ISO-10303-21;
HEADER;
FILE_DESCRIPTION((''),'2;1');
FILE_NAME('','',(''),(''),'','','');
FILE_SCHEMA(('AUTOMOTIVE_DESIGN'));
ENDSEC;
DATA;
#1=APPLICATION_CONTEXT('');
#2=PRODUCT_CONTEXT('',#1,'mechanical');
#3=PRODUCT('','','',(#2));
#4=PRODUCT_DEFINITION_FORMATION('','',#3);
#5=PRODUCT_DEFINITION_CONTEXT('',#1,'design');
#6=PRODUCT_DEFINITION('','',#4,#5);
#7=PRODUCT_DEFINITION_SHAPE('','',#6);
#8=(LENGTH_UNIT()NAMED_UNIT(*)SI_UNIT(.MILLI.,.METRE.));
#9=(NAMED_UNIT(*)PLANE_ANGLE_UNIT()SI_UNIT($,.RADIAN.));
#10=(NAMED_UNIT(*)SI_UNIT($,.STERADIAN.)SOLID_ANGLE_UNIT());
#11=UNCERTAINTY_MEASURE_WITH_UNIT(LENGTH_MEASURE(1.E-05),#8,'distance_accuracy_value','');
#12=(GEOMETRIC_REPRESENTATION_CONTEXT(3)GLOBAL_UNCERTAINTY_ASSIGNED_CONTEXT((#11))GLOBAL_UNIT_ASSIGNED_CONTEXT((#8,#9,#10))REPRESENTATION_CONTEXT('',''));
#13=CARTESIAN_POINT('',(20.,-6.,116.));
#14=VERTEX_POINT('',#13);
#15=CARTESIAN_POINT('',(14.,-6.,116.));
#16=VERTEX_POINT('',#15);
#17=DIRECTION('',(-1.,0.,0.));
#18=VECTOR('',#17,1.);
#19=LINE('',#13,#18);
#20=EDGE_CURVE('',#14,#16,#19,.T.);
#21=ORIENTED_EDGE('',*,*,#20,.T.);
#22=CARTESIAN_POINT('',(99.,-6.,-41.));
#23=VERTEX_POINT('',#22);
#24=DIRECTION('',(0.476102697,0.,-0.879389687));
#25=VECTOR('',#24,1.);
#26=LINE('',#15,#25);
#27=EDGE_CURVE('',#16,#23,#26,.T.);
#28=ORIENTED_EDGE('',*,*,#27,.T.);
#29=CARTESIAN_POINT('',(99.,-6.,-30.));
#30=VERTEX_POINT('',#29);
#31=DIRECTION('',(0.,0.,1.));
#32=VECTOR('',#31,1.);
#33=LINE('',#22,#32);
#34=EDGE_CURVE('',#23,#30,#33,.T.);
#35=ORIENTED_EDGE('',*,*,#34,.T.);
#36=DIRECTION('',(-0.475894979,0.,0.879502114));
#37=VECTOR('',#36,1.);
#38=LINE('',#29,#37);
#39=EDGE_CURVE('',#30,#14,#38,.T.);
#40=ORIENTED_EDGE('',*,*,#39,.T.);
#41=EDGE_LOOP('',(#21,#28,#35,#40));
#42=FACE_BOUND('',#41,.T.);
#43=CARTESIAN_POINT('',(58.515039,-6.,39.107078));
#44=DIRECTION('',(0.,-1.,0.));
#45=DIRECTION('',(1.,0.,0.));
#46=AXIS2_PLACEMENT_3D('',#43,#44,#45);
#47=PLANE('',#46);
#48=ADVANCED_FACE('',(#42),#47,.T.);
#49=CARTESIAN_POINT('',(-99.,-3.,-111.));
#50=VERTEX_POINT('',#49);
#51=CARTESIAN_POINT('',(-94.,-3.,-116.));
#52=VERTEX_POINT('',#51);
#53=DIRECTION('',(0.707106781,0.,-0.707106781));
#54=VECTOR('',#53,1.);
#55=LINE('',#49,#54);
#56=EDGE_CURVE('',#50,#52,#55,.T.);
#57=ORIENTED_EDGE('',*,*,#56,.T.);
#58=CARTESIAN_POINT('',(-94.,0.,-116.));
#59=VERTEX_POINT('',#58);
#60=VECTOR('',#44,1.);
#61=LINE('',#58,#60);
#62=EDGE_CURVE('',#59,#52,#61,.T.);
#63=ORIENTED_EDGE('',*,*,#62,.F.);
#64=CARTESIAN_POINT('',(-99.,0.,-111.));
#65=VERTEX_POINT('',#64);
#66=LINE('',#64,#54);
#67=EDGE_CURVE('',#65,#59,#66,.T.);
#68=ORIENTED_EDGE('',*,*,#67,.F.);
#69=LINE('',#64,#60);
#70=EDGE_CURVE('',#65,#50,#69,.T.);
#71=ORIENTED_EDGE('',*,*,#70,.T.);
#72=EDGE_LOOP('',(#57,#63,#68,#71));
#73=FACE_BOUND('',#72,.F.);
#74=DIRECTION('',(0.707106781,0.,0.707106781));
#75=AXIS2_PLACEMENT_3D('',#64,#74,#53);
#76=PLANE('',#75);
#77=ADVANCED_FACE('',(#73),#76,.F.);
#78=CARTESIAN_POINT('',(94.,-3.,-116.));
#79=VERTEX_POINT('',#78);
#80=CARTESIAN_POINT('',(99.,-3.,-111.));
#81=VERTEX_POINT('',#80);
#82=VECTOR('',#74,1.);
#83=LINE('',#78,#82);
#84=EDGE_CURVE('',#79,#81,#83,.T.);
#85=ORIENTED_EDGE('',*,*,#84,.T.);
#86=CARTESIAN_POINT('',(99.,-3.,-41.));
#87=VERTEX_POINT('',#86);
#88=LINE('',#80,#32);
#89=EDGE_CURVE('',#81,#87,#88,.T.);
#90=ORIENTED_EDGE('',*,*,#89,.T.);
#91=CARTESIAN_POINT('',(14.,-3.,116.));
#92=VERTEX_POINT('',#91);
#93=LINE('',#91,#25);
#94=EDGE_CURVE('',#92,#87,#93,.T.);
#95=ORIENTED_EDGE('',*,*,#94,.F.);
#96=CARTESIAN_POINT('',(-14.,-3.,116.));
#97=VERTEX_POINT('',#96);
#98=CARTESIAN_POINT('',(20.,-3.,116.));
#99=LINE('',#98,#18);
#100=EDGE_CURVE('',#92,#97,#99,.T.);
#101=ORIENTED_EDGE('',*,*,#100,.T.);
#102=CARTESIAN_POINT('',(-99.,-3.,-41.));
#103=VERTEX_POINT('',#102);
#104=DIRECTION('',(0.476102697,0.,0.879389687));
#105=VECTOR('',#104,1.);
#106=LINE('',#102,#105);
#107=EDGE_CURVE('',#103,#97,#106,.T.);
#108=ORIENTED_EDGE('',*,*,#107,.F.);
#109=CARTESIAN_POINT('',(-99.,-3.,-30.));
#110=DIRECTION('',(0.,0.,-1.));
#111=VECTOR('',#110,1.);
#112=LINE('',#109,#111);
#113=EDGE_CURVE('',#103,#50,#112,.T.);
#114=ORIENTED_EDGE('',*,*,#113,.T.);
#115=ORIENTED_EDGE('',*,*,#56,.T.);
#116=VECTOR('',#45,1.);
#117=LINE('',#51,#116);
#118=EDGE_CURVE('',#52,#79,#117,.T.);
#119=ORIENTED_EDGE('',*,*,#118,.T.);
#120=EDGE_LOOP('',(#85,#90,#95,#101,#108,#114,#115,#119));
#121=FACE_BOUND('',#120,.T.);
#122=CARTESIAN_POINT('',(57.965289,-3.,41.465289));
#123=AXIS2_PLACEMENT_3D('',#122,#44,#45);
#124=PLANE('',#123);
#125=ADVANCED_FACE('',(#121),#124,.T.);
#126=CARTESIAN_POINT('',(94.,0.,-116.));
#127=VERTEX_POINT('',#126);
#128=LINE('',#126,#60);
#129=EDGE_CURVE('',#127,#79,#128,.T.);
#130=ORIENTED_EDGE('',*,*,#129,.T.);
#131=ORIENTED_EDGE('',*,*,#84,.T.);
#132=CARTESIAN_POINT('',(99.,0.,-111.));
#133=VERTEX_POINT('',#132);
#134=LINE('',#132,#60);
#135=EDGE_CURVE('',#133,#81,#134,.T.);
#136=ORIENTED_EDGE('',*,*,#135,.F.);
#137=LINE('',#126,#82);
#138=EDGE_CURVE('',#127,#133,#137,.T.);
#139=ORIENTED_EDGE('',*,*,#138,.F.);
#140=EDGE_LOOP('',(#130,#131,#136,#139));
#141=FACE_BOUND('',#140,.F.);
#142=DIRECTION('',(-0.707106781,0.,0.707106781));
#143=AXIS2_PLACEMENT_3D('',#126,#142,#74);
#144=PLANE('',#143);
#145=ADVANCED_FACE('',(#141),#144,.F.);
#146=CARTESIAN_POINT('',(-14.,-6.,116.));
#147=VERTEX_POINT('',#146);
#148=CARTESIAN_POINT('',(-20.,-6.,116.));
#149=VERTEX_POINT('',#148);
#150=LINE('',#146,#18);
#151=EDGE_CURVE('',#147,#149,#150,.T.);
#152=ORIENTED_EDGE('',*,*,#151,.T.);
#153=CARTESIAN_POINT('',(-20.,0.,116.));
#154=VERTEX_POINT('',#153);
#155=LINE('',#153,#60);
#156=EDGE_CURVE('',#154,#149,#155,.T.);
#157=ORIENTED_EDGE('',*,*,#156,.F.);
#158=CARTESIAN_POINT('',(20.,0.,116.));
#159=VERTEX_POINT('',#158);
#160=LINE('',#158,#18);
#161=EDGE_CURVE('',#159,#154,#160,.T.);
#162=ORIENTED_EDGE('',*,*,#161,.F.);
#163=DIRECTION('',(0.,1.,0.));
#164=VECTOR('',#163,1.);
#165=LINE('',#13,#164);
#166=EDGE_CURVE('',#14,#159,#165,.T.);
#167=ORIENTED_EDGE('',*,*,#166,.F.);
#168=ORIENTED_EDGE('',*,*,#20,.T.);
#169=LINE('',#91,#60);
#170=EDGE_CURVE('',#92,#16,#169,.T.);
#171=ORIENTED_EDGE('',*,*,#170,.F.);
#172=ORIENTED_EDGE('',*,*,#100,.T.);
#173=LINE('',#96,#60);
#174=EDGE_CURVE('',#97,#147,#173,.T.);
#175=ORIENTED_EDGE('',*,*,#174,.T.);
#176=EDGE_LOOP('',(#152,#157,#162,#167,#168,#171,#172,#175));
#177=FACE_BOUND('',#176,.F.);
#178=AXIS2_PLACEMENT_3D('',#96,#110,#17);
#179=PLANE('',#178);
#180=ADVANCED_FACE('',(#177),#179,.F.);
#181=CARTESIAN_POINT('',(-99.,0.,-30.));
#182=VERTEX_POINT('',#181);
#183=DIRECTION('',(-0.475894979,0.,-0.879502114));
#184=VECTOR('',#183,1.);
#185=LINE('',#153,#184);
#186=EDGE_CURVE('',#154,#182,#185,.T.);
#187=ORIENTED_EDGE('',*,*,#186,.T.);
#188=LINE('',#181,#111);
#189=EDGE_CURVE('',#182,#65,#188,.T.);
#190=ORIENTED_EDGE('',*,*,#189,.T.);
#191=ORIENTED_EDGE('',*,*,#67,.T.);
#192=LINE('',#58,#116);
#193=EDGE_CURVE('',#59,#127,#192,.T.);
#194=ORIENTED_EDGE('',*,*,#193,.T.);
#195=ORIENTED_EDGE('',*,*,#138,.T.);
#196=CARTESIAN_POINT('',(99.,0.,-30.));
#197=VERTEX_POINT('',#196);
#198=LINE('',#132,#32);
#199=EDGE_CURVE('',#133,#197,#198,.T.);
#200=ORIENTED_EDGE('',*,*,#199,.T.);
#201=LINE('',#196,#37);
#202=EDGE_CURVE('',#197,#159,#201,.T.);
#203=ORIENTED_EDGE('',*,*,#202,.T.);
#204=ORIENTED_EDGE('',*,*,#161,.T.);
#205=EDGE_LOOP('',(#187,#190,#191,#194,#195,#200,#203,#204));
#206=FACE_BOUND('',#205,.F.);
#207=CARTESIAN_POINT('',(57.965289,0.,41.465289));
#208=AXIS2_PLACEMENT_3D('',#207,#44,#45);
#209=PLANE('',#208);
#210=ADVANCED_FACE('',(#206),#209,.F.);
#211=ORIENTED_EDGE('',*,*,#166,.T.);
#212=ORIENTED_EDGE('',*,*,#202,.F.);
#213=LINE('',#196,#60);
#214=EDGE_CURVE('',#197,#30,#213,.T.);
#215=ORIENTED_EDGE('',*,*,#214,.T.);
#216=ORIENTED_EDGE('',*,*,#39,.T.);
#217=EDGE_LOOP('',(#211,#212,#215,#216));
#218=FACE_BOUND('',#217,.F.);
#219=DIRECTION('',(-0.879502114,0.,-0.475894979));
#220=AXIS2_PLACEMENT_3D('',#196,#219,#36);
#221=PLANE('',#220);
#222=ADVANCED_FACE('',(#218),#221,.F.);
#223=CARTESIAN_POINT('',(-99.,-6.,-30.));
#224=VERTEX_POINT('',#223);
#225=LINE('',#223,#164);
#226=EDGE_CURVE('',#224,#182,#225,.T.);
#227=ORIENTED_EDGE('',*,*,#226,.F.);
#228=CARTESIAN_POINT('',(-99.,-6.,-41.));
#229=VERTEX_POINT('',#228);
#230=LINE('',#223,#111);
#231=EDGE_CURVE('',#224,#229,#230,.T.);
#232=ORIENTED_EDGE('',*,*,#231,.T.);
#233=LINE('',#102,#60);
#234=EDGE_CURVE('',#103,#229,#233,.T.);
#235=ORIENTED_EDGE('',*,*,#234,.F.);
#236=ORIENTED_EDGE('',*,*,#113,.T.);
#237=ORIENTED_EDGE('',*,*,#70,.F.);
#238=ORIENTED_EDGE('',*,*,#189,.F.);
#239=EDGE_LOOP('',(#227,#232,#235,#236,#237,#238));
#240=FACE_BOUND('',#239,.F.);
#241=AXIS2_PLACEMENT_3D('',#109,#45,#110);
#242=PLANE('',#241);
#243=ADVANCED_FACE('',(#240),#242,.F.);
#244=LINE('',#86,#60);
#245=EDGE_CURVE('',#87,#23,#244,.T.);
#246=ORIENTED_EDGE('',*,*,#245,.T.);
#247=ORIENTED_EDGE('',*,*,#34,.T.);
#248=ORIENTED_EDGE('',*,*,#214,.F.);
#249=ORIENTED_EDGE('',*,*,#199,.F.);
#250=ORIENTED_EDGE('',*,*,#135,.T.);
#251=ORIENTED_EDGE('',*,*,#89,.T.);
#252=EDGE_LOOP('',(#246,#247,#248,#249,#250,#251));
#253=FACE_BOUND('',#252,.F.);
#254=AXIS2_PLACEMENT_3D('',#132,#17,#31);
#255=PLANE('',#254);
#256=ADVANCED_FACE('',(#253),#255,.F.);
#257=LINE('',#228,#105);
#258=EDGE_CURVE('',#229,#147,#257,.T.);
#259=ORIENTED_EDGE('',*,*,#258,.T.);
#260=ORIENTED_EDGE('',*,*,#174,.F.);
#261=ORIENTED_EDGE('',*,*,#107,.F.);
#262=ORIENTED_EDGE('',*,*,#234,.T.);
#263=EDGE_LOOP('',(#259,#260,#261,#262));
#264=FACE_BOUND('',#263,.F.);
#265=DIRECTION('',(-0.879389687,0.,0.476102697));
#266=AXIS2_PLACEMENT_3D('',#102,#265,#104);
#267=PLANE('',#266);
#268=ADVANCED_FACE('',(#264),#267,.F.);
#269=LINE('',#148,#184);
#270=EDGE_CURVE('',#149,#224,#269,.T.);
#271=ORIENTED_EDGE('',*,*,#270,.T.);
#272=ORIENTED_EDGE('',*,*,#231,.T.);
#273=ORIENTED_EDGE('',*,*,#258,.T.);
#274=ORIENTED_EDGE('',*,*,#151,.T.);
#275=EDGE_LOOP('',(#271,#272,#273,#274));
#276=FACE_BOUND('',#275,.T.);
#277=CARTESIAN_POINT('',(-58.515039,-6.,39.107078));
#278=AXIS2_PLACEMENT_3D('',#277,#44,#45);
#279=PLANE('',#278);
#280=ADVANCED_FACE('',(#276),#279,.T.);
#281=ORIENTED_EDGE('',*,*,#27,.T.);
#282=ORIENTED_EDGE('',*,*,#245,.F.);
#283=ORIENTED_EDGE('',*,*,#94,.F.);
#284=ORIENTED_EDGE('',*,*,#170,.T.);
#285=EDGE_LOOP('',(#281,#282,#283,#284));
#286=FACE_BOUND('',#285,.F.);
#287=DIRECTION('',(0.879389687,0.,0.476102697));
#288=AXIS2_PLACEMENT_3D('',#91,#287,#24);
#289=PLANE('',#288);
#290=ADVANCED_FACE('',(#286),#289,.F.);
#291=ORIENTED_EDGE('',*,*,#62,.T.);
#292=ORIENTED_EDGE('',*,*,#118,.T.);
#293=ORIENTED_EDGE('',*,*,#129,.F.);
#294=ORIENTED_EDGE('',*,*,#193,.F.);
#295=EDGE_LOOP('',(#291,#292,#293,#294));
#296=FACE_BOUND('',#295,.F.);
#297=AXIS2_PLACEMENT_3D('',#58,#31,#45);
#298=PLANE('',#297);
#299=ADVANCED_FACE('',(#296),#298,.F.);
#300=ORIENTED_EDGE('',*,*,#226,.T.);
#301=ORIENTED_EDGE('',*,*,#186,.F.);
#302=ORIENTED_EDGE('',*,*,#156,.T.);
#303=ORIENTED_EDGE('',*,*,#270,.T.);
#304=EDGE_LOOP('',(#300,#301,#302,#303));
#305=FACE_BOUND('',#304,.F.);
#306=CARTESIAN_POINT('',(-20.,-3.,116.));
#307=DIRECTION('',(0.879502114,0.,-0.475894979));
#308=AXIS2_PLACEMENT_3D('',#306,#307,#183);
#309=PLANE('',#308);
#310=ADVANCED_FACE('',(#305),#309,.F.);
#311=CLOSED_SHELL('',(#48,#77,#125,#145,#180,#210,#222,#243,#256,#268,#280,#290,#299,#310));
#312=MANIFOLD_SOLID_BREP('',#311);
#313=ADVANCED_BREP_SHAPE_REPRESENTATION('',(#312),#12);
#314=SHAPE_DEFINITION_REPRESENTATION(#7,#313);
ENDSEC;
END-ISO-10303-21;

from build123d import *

# Parameters (mm, degrees)
F1_DEPTH = 3
F3_DEPTH = 3


with BuildPart() as f1:
    # F0 (on Front) → F1 (new body)
    with BuildSketch(Plane.XZ):
        Polygon((99, -30), (20, 116), (14, 116), (99, -36), align=None)
        Polygon((99, -36), (14, 116), (0, 116), (0, -116), (94, -116), (94, -111), (99, -111), align=None)
        Polygon((0, -116), (0, 116), (-14, 116), (-99, -36), (-99, -111), (-94, -111), (-94, -116), align=None)
        Polygon((-99, -36), (-14, 116), (-20, 116), (-99, -30), align=None)
        Polygon((94, -116), (99, -111), (94, -111), align=None)
        Polygon((-99, -111), (-94, -116), (-94, -111), align=None)
    extrude(amount=F1_DEPTH)

    # F2 (on face) → F3 (join)
    with BuildSketch(Plane.XZ.offset(3)):
        Polygon((-99, -41), (-14, 116), (-20, 116), (-99, -30), (-99, -36), align=None)
        Polygon((20, 116), (14, 116), (99, -41), (99, -36), (99, -30), align=None)
    extrude(amount=F3_DEPTH)


solid = f1.part
